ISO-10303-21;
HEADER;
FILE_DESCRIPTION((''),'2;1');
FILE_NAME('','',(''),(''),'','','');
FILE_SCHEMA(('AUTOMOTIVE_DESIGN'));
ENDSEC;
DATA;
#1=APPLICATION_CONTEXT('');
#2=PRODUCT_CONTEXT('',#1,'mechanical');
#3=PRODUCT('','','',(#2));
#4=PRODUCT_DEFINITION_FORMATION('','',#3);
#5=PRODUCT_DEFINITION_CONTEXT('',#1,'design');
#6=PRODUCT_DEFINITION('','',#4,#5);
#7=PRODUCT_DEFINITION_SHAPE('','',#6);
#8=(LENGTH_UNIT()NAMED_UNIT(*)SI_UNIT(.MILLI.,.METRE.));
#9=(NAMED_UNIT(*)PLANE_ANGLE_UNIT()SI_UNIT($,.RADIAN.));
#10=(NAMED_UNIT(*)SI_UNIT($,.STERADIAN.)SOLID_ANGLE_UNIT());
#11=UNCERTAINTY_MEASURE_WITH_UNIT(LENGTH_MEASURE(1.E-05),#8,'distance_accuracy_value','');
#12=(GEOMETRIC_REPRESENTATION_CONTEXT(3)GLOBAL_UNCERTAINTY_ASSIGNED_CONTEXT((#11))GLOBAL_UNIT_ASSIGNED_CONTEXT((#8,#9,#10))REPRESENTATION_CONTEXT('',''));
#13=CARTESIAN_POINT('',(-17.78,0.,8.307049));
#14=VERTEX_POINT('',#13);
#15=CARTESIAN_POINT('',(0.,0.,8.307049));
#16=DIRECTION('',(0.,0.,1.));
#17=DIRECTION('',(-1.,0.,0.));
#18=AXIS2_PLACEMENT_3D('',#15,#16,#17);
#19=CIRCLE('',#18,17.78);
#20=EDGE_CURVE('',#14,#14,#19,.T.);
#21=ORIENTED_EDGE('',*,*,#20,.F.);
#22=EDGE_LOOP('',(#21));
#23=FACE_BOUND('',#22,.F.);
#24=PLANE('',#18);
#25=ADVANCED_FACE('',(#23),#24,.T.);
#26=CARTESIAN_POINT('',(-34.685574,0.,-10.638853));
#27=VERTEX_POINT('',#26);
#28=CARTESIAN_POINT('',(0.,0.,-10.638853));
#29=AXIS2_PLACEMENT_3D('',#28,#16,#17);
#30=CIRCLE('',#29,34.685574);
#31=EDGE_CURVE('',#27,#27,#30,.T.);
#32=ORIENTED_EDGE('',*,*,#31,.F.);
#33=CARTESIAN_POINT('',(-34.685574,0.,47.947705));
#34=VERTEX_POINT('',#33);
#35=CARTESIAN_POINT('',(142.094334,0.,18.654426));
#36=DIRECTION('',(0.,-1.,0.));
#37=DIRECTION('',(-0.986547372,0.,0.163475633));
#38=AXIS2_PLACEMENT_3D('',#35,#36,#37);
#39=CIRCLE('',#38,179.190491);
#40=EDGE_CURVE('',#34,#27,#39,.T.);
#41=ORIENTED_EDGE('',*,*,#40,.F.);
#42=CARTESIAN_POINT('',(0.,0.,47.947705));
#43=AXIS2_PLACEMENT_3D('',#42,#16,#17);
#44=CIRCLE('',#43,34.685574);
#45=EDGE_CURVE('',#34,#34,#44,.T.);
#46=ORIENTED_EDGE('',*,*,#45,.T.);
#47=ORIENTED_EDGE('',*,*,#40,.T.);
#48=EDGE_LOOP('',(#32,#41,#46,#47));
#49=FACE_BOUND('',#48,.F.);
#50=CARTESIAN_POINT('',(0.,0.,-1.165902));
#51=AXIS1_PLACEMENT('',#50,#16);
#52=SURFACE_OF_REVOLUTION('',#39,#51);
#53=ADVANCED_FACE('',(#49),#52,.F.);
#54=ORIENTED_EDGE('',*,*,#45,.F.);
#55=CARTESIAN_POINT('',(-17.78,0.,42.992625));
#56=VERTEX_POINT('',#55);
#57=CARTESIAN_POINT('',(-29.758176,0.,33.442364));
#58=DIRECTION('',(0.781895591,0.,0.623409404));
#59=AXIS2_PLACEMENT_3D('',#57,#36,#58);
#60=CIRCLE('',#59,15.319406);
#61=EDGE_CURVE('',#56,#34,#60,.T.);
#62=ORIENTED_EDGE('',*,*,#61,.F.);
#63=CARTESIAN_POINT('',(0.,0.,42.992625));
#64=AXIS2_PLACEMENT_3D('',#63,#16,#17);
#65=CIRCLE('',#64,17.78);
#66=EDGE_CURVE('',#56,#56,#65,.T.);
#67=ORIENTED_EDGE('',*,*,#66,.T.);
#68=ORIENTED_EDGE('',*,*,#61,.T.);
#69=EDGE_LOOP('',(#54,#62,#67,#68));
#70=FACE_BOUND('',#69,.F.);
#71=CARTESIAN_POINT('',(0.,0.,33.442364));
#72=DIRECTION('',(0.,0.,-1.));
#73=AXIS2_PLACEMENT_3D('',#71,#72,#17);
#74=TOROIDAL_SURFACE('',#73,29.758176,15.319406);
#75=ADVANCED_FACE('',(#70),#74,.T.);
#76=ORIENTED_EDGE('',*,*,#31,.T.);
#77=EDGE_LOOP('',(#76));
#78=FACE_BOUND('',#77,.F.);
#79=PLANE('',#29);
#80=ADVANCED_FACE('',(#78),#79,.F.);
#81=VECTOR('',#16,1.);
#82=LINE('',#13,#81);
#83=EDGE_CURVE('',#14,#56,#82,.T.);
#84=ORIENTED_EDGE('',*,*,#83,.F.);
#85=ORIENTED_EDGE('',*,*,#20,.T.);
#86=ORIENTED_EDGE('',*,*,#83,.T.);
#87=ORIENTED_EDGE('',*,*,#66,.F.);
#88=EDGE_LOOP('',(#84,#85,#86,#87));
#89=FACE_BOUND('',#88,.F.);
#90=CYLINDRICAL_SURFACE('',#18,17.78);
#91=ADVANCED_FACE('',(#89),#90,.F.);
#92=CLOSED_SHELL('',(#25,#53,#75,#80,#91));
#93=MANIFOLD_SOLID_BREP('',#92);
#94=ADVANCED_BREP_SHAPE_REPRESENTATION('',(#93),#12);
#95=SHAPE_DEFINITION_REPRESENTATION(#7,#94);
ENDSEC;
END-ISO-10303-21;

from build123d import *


with BuildPart() as f1:
    # F0 (on Front) → F1 (revolve)
    with BuildSketch(Plane.XZ):
        with BuildLine():
            Line((0, -10.638853), (0, 8.307049))
            Line((0, 8.307049), (-17.78, 8.307049))
            Line((-17.78, 8.307049), (-17.78, 42.992625))
            ThreePointArc((-17.78, 42.992625), (-25.449282, 48.143303), (-34.685574, 47.947705))
            ThreePointArc((-34.685574, 47.947705), (-37.096157, 18.654426), (-34.685574, -10.638853))
            Line((-34.685574, -10.638853), (0, -10.638853))
        make_face()
    revolve(axis=Axis((0, 0, -1.165902), (0, 0, 1)))


solid = f1.part
